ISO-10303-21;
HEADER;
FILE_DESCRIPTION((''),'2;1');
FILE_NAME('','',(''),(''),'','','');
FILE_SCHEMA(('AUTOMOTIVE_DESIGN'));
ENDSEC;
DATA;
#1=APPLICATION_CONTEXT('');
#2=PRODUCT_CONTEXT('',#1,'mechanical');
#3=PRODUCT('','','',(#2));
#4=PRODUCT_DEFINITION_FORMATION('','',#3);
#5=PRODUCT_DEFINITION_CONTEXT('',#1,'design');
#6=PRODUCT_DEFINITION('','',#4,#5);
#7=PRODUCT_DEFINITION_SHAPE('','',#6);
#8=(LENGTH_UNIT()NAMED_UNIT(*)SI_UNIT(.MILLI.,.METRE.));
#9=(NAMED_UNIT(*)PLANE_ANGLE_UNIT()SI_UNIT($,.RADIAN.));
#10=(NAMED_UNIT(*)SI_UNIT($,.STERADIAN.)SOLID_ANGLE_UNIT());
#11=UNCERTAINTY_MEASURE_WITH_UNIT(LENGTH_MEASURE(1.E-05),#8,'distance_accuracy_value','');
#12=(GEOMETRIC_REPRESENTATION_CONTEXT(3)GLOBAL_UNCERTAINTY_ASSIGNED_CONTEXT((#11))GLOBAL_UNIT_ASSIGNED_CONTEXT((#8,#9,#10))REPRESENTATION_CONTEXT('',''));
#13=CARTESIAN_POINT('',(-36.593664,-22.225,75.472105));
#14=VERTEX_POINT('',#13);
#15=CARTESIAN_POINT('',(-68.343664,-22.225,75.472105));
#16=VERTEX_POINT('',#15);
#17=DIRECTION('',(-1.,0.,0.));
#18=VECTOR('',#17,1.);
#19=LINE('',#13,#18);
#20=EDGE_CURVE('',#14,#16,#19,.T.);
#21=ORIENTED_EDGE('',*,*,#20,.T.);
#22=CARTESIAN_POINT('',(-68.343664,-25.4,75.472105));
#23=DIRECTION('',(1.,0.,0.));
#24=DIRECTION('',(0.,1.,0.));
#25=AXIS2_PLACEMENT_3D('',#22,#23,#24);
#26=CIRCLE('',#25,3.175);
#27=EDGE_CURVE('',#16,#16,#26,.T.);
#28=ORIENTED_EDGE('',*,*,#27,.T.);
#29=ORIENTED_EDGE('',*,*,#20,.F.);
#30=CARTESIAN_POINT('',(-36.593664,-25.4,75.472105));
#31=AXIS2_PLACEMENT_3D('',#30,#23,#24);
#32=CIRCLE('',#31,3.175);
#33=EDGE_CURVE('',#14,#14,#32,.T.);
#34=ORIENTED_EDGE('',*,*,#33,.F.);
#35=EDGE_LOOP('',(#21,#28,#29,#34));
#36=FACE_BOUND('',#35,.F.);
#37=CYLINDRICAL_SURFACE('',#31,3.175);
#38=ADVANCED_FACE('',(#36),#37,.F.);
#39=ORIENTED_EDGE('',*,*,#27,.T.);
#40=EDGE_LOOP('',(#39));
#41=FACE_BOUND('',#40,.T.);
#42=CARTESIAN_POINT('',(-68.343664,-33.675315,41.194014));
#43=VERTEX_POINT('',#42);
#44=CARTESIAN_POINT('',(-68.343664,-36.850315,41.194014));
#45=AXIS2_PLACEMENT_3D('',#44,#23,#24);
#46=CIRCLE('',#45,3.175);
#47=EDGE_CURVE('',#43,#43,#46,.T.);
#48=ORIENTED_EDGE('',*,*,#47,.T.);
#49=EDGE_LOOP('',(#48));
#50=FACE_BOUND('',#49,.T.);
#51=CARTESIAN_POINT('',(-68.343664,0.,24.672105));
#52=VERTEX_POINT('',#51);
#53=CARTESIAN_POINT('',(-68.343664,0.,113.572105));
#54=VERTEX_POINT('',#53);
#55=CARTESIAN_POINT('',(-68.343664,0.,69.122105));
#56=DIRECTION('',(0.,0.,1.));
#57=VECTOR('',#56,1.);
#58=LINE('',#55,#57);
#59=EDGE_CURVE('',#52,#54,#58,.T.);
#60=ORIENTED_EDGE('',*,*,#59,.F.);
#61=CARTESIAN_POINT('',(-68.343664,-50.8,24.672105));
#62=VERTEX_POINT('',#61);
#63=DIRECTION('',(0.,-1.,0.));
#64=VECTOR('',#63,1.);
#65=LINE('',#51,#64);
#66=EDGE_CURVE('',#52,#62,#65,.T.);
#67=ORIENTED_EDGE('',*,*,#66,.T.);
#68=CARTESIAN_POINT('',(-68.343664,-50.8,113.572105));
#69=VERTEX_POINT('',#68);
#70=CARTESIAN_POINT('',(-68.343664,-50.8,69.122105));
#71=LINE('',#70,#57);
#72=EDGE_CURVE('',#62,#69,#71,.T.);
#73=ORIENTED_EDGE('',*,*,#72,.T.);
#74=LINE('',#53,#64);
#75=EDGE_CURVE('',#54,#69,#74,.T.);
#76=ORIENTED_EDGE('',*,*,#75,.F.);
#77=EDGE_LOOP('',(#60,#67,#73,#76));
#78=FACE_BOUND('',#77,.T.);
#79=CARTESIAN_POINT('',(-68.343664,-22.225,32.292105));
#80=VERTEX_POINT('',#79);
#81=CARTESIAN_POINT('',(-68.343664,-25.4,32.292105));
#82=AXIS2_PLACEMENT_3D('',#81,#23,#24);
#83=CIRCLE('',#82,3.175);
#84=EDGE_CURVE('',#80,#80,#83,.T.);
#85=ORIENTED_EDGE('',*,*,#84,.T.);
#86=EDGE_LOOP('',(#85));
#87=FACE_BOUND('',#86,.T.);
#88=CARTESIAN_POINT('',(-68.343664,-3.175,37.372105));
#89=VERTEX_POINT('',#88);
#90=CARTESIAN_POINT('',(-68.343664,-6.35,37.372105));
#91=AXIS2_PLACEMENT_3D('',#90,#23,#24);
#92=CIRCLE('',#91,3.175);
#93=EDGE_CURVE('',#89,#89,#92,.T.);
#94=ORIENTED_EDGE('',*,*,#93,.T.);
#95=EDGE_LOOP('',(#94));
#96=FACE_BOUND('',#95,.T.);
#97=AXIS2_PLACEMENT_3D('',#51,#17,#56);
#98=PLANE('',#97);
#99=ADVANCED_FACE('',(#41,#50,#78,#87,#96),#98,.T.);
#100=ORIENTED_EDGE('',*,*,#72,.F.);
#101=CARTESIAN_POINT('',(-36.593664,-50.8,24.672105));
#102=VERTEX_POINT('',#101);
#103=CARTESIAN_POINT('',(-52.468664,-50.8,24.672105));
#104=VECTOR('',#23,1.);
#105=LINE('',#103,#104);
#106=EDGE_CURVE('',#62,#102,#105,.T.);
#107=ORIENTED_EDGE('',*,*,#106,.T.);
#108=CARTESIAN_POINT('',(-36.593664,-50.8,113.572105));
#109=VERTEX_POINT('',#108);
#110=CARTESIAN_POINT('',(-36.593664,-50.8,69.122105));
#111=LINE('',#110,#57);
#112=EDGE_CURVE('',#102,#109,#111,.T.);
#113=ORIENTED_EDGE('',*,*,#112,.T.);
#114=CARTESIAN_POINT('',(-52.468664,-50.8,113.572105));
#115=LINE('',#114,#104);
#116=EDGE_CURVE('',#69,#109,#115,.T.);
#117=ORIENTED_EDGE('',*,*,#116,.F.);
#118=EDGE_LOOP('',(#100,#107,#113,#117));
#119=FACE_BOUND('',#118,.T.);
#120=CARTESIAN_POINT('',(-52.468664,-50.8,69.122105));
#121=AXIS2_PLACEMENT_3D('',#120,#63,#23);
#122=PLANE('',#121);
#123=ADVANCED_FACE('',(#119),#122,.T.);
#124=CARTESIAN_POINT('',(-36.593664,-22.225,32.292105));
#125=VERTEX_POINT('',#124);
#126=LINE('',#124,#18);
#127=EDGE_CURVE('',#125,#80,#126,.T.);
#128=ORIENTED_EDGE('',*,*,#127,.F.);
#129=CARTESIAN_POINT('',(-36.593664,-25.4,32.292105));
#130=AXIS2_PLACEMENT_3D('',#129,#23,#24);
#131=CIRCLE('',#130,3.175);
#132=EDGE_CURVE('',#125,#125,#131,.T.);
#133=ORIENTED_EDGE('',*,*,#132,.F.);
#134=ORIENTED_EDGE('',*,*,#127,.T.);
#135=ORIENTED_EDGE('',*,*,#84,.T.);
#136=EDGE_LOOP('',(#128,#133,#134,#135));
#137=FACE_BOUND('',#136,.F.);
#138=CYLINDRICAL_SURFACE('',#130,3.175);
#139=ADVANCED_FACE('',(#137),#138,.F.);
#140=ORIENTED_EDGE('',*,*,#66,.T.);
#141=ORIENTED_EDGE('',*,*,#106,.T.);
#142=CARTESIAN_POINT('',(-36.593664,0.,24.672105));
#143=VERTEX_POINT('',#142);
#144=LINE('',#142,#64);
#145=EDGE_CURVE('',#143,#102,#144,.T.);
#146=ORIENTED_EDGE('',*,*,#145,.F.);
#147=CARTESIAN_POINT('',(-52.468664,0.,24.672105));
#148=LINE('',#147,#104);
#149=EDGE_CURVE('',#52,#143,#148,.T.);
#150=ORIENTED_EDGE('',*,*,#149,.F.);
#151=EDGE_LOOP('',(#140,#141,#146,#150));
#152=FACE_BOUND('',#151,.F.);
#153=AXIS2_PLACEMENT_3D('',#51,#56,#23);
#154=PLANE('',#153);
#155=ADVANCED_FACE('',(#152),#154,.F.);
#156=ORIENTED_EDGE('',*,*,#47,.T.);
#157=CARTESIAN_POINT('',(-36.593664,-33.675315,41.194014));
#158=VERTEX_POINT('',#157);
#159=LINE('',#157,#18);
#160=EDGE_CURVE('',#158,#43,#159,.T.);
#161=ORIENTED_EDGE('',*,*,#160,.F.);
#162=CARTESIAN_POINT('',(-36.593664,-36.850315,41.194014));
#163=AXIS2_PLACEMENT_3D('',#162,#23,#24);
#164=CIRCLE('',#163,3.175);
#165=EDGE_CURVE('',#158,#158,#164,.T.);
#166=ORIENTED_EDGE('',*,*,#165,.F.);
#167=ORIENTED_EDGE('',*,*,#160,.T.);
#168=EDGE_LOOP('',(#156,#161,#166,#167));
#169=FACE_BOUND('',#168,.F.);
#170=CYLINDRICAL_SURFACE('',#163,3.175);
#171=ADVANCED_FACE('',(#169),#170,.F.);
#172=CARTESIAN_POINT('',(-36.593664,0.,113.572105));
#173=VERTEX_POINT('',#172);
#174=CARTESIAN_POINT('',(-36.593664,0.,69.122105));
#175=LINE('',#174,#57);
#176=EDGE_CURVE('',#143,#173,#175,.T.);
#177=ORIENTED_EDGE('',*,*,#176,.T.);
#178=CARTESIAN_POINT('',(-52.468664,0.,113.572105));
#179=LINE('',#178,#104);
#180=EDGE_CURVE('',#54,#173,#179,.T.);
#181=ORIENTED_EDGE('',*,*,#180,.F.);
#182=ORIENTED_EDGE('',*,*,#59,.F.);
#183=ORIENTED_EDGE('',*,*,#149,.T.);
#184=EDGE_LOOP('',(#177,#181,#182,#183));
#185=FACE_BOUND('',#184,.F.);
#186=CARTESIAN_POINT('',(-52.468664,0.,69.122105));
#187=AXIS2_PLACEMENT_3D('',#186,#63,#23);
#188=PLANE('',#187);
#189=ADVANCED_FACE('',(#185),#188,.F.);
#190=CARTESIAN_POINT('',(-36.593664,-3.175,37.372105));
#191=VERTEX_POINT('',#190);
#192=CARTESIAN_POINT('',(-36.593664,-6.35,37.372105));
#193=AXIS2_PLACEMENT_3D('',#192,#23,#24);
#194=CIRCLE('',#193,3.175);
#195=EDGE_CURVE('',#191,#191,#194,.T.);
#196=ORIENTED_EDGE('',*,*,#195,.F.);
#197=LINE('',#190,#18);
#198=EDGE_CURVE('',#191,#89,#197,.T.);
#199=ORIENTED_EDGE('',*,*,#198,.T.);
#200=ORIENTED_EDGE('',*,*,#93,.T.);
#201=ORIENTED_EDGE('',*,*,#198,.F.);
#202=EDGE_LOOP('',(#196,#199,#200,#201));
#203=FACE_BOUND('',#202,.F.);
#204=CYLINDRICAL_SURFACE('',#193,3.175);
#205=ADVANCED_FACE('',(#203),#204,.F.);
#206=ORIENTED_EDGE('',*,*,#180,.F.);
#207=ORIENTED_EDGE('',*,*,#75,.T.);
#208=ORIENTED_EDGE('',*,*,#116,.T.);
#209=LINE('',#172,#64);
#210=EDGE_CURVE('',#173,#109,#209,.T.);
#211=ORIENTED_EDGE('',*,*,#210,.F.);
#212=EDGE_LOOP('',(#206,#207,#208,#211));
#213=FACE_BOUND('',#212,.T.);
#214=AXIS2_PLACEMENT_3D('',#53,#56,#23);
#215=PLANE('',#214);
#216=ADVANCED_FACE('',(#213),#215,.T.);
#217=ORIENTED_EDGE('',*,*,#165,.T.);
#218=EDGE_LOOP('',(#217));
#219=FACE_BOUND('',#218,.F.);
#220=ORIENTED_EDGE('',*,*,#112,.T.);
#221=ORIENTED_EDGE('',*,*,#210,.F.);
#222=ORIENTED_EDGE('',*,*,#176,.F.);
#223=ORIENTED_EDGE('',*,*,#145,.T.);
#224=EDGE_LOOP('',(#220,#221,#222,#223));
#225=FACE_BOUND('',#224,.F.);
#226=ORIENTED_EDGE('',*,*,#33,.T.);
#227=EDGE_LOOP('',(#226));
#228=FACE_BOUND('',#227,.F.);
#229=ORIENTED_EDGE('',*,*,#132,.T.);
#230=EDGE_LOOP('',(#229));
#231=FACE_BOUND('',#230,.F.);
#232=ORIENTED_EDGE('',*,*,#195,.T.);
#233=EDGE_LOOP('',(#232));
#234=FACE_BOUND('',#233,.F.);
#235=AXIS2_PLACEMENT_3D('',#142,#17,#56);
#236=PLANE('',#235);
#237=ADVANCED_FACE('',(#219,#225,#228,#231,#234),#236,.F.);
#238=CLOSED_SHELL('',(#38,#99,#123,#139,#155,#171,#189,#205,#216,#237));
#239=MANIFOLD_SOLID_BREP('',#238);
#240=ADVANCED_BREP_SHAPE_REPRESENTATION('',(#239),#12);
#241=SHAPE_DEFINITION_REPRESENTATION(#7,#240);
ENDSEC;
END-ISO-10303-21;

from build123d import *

# Parameters (mm, degrees)
F0_W     = 31.75
F0_H     = 88.9
F1_DEPTH = 50.8
F2_R     = 3.175
F3_DEPTH = 76.2
F4_R     = 3.175
F5_DEPTH = 25.4
F6_DEPTH = 38.1


with BuildPart() as f1:
    # F0 (on Front) → F1 (new body)
    with BuildSketch(Plane.XZ):
        with Locations((-52.468664, 69.122105)):
            Rectangle(F0_W, F0_H)
    extrude(amount=F1_DEPTH)

    # F2 (on face) → F3 (cut)
    with BuildSketch(Plane.YZ.offset(-36.593664)):
        with Locations((-25.4, 75.472105)):
            Circle(F2_R)
        with Locations((-25.4, 32.292105)):
            Circle(F2_R)
        with Locations((-6.35, 37.372105)):
            Circle(F2_R)
    extrude(amount=-F3_DEPTH, mode=Mode.SUBTRACT)

    # F4 (on face) → F5 (cut)
    with BuildSketch(Plane.YZ.offset(-36.593664)):
        with Locations((-36.850315, 41.194014)):
            Circle(F4_R)
    extrude(amount=-F5_DEPTH, mode=Mode.SUBTRACT)

    # F4 (on face) → F6 (cut)
    with BuildSketch(Plane.YZ.offset(-36.593664)):
        with Locations((-36.850315, 41.194014)):
            Circle(F4_R)
    extrude(amount=-F6_DEPTH, mode=Mode.SUBTRACT)


solid = f1.part
